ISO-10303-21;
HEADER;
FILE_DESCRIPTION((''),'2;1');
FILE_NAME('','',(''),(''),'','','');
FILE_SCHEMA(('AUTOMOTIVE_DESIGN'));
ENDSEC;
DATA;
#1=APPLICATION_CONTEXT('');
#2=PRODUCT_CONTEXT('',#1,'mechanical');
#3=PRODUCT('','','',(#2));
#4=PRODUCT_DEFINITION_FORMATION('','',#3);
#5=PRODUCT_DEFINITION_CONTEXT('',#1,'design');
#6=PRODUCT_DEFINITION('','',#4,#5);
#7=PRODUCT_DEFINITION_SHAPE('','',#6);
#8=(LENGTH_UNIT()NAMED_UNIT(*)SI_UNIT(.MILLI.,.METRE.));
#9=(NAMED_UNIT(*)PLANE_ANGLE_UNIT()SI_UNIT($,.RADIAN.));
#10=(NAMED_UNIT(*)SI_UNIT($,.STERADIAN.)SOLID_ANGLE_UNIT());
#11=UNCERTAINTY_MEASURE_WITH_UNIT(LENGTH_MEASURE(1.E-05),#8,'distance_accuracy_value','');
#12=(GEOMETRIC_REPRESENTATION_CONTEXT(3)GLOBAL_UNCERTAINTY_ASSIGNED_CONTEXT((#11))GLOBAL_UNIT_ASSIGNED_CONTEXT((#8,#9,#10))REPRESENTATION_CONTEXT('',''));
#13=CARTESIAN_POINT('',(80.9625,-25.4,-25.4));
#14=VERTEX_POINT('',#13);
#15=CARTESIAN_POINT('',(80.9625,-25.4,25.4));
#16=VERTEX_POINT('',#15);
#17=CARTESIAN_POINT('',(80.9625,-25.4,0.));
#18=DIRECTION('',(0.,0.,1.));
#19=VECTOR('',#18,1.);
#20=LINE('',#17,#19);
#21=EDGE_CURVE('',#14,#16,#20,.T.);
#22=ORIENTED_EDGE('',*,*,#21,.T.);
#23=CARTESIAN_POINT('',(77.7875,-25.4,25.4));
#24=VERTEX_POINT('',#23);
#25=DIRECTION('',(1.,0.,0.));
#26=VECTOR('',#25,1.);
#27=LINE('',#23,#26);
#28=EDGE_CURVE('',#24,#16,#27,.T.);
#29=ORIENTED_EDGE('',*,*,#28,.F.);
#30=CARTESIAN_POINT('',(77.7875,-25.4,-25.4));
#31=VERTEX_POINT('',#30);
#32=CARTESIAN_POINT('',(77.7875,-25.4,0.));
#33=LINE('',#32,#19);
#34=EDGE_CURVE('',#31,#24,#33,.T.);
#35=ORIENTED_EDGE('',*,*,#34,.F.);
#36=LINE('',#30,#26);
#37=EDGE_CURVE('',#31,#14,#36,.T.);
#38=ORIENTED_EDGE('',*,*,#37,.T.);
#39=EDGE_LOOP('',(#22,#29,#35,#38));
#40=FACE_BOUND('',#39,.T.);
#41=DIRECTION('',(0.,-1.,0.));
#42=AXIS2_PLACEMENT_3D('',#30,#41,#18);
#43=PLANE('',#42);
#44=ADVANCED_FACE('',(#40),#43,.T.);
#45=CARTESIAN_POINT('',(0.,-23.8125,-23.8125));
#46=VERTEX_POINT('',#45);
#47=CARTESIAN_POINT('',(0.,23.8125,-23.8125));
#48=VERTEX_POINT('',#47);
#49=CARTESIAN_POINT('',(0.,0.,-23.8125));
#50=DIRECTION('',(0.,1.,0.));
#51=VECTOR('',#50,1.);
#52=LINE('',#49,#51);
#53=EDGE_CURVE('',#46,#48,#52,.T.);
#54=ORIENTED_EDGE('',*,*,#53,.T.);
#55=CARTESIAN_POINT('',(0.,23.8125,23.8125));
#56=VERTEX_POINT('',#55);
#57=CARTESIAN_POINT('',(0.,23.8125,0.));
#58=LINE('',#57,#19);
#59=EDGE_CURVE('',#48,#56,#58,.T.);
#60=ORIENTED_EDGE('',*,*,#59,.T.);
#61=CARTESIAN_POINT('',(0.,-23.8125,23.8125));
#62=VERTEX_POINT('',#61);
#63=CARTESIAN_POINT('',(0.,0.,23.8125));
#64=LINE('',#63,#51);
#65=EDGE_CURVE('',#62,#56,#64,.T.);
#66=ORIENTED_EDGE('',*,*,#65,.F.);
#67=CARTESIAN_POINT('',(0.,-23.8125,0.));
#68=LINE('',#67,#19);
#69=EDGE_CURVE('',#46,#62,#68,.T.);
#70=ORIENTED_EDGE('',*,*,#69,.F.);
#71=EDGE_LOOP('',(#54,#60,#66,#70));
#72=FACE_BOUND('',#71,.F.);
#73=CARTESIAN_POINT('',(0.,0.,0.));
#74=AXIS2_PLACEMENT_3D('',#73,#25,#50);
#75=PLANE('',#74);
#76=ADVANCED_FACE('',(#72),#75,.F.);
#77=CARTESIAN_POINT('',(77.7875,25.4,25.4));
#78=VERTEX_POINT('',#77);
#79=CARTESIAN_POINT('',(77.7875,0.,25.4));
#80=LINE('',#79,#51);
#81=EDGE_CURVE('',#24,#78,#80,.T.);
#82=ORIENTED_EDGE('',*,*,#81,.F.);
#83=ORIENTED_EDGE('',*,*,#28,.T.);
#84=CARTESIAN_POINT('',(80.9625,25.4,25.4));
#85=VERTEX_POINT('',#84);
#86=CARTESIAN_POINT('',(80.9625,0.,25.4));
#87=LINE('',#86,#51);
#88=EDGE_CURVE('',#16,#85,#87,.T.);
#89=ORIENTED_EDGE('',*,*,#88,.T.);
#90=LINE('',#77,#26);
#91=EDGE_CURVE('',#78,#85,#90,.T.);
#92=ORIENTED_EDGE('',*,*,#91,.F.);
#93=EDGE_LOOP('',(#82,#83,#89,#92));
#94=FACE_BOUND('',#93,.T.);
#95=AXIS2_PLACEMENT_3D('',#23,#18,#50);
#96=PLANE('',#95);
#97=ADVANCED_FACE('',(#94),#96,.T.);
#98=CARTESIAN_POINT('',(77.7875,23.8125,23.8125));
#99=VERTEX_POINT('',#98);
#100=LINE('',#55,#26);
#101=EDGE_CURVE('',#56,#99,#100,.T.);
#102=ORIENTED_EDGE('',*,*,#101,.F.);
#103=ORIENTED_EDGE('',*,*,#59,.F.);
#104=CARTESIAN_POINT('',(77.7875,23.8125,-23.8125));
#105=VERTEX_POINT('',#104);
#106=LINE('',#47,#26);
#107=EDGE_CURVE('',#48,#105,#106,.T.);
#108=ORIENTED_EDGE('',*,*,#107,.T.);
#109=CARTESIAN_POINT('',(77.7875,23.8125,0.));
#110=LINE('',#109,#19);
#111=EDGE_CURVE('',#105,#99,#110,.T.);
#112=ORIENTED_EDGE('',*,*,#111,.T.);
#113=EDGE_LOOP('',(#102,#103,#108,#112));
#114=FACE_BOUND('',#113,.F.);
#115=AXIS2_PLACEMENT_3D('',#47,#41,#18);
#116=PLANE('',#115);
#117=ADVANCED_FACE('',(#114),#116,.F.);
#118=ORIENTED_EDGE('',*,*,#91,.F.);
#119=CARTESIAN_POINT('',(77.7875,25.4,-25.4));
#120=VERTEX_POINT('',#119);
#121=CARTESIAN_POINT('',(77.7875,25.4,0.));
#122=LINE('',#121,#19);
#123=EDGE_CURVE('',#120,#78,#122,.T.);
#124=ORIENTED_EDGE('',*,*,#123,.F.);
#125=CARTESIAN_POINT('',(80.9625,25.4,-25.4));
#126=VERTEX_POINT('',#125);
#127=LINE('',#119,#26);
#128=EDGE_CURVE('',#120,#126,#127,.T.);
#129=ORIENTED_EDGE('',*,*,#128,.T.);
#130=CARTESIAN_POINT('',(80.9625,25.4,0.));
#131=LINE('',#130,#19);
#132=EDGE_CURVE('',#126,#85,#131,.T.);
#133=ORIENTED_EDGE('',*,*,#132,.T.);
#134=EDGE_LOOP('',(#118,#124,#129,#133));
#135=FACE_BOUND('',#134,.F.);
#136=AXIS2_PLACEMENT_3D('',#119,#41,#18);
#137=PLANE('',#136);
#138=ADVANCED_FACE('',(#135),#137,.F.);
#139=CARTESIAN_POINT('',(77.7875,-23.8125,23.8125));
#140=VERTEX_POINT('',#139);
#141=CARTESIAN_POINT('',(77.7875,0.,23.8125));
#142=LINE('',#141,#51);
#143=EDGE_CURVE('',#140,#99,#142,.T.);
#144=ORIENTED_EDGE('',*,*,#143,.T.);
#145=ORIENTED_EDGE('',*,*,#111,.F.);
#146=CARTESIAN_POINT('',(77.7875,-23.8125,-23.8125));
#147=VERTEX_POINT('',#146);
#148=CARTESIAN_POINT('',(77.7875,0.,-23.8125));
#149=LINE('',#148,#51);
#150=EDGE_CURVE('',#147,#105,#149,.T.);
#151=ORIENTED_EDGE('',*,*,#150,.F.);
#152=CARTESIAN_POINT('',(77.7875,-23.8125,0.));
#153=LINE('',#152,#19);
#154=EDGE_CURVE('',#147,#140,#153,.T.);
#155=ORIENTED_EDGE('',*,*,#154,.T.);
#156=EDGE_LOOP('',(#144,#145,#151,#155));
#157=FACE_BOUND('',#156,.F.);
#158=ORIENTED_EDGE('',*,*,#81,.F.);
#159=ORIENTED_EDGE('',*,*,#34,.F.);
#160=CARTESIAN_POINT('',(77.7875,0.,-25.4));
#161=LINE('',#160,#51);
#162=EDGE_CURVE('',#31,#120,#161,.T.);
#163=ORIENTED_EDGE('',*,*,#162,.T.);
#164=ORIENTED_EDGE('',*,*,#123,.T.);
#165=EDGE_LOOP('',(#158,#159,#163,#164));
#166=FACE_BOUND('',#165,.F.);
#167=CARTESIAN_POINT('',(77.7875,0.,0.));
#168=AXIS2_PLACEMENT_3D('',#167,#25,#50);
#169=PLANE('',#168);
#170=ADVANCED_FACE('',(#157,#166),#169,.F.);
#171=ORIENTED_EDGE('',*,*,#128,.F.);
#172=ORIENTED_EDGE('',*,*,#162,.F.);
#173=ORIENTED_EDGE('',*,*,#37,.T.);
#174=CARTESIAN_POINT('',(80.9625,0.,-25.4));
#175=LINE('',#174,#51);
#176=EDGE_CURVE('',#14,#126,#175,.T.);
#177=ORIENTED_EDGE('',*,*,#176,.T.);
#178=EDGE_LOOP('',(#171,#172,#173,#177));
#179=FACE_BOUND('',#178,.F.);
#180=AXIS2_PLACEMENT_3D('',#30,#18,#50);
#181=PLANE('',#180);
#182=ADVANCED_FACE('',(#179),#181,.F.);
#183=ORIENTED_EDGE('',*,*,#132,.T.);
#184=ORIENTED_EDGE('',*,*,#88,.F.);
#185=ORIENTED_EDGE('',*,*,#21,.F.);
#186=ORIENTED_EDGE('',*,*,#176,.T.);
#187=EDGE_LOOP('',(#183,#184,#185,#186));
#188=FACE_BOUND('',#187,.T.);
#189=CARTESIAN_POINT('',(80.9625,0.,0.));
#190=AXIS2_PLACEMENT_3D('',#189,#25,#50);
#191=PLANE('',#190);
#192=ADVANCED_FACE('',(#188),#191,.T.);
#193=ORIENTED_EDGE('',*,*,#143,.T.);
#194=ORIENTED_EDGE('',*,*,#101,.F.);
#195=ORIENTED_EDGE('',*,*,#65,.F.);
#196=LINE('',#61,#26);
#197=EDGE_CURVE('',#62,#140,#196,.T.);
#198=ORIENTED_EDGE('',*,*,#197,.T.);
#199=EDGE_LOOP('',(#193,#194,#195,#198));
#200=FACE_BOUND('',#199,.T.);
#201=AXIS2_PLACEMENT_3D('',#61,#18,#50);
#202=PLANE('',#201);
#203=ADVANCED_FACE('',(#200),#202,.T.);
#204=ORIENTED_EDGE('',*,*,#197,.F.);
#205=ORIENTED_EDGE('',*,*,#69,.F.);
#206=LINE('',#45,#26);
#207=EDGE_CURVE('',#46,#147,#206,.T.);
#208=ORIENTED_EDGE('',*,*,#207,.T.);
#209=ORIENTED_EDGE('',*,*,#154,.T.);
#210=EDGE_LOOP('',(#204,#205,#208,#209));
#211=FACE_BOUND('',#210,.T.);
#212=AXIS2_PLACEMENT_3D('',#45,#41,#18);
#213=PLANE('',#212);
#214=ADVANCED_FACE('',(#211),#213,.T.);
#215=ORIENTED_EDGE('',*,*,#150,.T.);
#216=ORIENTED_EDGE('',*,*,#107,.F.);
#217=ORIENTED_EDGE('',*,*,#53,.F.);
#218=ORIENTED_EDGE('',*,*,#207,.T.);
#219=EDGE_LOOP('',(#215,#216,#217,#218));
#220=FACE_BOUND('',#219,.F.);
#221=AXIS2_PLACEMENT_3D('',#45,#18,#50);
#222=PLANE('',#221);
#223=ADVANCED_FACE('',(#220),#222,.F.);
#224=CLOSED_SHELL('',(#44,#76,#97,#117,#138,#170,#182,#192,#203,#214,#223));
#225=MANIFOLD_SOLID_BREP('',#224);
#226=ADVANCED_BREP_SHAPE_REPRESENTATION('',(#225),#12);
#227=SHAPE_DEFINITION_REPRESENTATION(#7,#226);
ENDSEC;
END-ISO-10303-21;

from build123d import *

# Parameters (mm, degrees)
F0_W     = 47.625
F0_H     = 47.625
F1_DEPTH = 77.7875
F2_W     = 50.8
F2_H     = 50.8
F3_DEPTH = 3.175


with BuildPart() as f1:
    # F0 (on Right) → F1 (new body)
    with BuildSketch(Plane.YZ):
        Rectangle(F0_W, F0_H)
    extrude(amount=F1_DEPTH)

    # F2 (on face) → F3 (join)
    with BuildSketch(Plane.YZ.offset(77.7875)):
        Rectangle(F2_W, F2_H)
    extrude(amount=F3_DEPTH)


solid = f1.part
